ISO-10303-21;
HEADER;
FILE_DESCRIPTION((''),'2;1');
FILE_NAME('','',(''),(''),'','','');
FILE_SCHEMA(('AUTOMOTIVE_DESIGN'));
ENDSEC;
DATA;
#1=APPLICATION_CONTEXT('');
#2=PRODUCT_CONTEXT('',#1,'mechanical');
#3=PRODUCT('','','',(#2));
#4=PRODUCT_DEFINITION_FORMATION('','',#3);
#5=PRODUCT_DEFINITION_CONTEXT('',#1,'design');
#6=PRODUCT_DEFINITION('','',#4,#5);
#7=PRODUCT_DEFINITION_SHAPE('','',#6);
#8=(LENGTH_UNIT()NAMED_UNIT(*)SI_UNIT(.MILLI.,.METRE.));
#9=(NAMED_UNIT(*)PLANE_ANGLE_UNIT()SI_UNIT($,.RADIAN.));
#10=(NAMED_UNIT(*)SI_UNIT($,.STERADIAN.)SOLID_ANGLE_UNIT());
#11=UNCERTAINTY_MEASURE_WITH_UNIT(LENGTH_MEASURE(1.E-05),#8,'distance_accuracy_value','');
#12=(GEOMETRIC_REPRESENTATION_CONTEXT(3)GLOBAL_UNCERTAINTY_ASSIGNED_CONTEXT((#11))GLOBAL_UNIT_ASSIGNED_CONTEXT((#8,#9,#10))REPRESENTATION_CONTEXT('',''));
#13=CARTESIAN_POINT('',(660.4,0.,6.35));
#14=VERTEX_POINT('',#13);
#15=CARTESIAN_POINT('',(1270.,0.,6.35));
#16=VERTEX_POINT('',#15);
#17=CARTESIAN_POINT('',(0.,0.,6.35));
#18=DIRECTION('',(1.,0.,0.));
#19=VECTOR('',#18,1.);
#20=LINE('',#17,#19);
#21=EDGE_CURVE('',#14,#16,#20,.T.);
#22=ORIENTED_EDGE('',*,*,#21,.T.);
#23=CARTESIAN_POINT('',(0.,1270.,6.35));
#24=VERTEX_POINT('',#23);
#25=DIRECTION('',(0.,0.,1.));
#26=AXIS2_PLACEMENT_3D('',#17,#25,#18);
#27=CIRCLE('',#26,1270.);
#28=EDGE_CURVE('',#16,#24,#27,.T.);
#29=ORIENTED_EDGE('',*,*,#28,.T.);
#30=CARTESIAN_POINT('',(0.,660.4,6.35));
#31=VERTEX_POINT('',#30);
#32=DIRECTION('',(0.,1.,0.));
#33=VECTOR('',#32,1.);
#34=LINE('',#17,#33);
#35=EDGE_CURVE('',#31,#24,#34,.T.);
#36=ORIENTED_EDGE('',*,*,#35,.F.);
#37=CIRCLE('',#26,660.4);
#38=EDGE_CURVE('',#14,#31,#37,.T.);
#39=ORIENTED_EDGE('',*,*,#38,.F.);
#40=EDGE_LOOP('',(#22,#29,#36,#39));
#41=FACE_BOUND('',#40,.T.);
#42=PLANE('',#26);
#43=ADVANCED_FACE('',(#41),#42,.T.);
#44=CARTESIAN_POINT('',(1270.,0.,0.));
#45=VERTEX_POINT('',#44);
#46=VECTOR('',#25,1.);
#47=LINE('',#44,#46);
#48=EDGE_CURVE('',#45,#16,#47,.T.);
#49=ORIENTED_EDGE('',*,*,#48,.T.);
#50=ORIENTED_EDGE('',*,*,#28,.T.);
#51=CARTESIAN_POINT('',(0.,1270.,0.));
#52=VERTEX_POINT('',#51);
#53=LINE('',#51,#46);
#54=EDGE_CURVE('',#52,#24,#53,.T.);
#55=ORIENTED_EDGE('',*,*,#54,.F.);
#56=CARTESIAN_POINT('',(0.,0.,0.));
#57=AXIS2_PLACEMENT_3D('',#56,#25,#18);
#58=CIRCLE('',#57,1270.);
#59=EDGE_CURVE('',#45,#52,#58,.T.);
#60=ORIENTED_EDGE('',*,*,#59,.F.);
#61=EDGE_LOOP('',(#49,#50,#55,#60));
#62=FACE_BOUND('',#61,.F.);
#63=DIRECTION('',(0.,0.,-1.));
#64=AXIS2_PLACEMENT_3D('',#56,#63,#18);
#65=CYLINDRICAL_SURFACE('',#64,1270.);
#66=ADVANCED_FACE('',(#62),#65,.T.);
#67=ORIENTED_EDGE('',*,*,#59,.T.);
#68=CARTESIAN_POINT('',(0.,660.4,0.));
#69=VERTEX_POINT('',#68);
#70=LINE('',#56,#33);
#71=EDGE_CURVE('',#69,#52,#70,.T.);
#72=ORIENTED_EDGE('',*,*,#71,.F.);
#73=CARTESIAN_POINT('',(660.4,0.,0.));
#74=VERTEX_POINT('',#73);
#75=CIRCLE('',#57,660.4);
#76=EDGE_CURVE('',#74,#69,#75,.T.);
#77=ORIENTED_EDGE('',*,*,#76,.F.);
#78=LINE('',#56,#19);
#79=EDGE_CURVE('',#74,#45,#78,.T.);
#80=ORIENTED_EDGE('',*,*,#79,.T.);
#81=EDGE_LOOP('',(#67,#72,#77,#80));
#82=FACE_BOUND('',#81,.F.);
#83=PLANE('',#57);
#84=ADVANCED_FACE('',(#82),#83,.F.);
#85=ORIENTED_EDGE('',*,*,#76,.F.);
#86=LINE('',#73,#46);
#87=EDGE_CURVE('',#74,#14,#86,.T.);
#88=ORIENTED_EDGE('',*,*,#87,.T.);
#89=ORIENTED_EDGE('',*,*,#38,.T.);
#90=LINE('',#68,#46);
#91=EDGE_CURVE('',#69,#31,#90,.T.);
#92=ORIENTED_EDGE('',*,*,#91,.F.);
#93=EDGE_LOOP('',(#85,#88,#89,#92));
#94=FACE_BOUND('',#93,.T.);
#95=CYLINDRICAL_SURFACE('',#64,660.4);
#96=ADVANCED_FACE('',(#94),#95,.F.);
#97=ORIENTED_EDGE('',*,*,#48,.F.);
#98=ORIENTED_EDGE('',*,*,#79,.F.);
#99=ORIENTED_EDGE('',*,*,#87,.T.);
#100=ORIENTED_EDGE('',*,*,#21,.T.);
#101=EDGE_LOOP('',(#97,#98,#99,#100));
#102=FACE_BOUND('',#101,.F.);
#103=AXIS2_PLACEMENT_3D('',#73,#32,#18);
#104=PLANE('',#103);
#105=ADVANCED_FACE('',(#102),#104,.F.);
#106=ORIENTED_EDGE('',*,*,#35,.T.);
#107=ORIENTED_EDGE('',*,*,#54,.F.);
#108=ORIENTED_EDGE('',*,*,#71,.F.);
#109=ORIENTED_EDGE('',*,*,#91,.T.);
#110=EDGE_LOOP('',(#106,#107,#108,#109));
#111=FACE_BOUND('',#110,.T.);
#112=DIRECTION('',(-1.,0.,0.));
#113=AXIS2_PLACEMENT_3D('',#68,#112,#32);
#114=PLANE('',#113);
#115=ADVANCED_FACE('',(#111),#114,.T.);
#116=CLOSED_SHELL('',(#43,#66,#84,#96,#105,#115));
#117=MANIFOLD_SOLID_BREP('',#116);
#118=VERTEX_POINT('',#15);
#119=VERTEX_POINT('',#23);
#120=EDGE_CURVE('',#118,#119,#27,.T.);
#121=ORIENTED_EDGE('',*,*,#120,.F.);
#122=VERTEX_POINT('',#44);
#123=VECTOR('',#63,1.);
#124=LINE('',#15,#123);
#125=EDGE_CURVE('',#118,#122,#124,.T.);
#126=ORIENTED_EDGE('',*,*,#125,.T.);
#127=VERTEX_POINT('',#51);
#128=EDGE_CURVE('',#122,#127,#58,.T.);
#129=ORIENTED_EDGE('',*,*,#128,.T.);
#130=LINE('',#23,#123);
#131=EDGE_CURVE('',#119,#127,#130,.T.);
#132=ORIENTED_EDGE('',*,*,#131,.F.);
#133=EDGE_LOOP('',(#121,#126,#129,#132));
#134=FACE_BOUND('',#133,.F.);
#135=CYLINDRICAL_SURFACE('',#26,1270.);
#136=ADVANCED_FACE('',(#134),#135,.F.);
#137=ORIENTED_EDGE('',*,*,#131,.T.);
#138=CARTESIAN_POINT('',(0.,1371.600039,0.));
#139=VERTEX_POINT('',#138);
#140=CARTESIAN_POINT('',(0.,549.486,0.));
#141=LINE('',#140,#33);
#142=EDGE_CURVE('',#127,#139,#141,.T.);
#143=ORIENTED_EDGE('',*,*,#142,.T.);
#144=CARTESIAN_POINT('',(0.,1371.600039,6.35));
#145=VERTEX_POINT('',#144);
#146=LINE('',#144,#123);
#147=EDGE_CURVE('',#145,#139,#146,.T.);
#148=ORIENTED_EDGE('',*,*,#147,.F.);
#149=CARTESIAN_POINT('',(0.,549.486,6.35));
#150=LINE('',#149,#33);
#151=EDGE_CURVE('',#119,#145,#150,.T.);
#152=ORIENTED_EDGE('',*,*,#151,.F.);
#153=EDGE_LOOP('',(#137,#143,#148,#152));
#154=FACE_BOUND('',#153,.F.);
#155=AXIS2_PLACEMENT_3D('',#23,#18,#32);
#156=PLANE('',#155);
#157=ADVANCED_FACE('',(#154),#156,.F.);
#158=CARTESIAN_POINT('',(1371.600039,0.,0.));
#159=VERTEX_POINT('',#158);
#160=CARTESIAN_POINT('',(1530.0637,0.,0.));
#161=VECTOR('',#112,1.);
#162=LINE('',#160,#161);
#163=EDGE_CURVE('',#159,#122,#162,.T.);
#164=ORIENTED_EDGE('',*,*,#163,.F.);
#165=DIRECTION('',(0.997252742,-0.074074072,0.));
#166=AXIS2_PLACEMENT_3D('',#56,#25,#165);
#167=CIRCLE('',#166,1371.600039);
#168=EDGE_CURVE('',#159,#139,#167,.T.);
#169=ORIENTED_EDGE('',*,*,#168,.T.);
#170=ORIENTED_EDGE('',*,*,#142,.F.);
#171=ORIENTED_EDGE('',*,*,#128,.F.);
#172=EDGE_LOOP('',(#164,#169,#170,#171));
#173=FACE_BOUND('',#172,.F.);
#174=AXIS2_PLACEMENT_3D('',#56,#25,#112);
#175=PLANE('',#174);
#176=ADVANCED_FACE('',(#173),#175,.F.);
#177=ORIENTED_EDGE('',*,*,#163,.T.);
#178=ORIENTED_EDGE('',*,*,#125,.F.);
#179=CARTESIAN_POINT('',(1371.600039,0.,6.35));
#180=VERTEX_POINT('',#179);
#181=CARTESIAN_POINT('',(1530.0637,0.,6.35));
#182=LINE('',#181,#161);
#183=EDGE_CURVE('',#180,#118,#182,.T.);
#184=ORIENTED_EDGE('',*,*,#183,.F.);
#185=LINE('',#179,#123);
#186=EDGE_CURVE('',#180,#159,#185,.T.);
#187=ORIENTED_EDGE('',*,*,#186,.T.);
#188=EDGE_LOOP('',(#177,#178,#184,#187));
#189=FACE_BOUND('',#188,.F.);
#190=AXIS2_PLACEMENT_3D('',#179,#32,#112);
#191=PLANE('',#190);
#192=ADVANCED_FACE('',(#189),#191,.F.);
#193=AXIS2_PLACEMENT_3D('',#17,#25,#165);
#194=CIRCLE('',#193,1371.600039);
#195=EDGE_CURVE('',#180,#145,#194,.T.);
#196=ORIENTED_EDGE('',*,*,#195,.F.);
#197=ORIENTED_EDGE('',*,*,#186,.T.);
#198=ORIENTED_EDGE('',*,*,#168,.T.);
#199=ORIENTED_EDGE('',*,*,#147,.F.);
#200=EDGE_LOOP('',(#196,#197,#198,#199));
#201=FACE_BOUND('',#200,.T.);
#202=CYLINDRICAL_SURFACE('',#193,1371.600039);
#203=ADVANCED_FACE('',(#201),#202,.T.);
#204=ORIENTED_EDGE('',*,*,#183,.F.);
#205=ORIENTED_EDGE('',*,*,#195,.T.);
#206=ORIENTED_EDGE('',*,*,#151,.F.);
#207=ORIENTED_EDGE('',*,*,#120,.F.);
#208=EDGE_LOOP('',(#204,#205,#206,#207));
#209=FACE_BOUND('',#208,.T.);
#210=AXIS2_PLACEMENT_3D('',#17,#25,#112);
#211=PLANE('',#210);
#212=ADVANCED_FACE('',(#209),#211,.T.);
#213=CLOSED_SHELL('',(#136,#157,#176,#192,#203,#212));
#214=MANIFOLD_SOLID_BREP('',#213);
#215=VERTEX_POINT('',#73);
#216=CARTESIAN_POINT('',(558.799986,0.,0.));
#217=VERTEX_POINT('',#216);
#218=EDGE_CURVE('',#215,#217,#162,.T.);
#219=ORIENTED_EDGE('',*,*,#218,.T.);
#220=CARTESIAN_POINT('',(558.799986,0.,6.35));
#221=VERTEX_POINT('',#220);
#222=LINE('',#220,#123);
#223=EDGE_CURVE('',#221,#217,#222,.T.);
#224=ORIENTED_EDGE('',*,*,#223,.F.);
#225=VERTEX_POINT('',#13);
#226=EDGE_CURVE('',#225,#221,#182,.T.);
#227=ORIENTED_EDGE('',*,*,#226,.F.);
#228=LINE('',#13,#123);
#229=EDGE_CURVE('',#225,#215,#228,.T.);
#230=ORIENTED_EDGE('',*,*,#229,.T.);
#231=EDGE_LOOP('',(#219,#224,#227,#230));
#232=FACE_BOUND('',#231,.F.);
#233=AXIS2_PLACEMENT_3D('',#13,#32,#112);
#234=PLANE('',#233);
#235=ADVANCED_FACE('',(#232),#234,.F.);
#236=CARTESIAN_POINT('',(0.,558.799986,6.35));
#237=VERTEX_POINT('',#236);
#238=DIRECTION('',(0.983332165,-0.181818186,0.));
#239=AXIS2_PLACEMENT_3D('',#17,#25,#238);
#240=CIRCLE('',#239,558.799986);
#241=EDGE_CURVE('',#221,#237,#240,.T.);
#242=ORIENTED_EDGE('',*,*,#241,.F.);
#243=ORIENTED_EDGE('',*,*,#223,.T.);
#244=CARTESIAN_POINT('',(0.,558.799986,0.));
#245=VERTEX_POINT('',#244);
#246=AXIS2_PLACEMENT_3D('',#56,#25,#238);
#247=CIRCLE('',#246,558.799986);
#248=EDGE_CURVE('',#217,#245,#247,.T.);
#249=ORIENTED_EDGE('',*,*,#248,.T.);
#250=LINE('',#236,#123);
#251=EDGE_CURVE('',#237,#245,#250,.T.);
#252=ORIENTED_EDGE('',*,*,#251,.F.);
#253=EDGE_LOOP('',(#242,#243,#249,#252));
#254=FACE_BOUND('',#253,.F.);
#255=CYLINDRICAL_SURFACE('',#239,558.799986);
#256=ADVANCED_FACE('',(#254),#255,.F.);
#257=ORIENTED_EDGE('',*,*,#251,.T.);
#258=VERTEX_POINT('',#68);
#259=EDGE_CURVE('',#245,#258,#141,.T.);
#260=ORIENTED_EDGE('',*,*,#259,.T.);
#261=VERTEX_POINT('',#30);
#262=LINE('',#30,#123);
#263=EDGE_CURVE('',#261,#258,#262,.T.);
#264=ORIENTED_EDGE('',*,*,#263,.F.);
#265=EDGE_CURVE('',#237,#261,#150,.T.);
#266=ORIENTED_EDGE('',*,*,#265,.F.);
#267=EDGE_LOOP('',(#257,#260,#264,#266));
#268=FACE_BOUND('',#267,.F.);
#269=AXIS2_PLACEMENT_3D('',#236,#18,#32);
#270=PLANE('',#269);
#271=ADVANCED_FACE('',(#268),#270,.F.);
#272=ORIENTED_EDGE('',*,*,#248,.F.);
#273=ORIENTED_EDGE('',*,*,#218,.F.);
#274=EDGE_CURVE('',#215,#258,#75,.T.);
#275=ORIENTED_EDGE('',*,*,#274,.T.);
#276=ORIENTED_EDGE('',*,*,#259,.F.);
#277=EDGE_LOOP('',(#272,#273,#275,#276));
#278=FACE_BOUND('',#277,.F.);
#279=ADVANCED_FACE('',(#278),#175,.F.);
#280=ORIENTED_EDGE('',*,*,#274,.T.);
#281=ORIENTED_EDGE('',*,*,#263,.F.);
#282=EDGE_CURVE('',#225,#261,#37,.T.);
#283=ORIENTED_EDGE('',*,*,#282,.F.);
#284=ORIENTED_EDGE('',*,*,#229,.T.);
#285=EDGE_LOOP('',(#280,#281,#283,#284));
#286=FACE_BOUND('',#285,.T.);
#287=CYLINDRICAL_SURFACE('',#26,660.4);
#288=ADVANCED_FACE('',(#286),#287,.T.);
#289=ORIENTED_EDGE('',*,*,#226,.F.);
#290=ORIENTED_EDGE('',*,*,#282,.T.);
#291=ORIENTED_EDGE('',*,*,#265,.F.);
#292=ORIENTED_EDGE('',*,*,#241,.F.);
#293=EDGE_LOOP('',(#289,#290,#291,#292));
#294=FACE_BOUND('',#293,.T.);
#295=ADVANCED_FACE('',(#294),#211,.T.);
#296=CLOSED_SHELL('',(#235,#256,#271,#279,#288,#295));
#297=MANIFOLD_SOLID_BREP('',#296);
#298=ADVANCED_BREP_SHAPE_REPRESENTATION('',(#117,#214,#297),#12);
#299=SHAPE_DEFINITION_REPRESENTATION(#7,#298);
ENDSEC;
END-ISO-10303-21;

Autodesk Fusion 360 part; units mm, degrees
sketch "Sketch1" plane through (0, 0, 0) normal (0, 0, 1) x (1, 0, 0)
  circle A0 centre (0, 0) radius 660.4
  circle A1 centre (0, 0) radius 1270
  line L0 (0, 0) -> (0, 1270)
  line L1 (0, 0) -> (1270, 0)
  dimension "d1" = 1320.8
  dimension "d2" = 609.6
extrude "Extrude1" add sketch "Sketch1" along normal blind 6.35 contours A0 A1 L0 L1 picked at (60.2466, 1062.4911) makes body 1
sketch "Sketch2" plane through (0, 0, 6.35) normal (0, 0, 1) x (-1, 0, 0)
  line L0 (-660.4, 0) -> (-1270, 0)
  arc A0 (-1270, 0) -> (0, -1270) centre (0, 0) ccw
  line L1 (0, -1270) -> (0, -660.4)
  arc A1 (-660.4, 0) -> (0, -660.4) centre (0, 0) ccw
  arc A2 (-549.486, 101.6) -> (101.6, -549.486) centre (0, 0) ccw
  line L2 (101.6, -1367.8319) -> (101.6, -549.486)
  arc A3 (-1367.8319, 101.6) -> (101.6, -1367.8319) centre (0, 0) ccw
  line L3 (-549.486, 101.6) -> (-1367.8319, 101.6)
  line L4 (101.6, -549.486) -> (0, -549.486)
  line L5 (0, -549.486) -> (0, -1425.6301)
  line L6 (0, -1425.6301) -> (101.6, -1425.6301)
  line L7 (101.6, -1425.6301) -> (101.6, -549.486)
  line L8 (-549.486, 101.6) -> (-1530.0637, 101.6)
  line L9 (-1530.0637, 101.6) -> (-1530.0637, 0)
  line L10 (-1530.0637, 0) -> (-549.486, 0)
  line L11 (-549.486, 0) -> (-549.486, 101.6)
  dimension "d5" = 101.6
  dimension "d6" = 101.6
  dimension "d7" = 980.5776
  dimension "d8" = 101.6
extrude "Extrude1'" add sketch "Sketch2" against normal blind 6.35 separate body contours A1 A2 L5 L10 | A0 A3 L5 L10 makes body 2 at (624.2927, 31.3282, 6.35) makes body 3 at (1310.251, 254.1211, 6.35) in component "90"
copy_body "CutPasteBodies1" bodies 1 removing the originals makes body 4 in component "90"
component "90" placed x (1, 0, 0) y (0, 1, 0) z (0, 0, 1) at (0, 0, 0)
